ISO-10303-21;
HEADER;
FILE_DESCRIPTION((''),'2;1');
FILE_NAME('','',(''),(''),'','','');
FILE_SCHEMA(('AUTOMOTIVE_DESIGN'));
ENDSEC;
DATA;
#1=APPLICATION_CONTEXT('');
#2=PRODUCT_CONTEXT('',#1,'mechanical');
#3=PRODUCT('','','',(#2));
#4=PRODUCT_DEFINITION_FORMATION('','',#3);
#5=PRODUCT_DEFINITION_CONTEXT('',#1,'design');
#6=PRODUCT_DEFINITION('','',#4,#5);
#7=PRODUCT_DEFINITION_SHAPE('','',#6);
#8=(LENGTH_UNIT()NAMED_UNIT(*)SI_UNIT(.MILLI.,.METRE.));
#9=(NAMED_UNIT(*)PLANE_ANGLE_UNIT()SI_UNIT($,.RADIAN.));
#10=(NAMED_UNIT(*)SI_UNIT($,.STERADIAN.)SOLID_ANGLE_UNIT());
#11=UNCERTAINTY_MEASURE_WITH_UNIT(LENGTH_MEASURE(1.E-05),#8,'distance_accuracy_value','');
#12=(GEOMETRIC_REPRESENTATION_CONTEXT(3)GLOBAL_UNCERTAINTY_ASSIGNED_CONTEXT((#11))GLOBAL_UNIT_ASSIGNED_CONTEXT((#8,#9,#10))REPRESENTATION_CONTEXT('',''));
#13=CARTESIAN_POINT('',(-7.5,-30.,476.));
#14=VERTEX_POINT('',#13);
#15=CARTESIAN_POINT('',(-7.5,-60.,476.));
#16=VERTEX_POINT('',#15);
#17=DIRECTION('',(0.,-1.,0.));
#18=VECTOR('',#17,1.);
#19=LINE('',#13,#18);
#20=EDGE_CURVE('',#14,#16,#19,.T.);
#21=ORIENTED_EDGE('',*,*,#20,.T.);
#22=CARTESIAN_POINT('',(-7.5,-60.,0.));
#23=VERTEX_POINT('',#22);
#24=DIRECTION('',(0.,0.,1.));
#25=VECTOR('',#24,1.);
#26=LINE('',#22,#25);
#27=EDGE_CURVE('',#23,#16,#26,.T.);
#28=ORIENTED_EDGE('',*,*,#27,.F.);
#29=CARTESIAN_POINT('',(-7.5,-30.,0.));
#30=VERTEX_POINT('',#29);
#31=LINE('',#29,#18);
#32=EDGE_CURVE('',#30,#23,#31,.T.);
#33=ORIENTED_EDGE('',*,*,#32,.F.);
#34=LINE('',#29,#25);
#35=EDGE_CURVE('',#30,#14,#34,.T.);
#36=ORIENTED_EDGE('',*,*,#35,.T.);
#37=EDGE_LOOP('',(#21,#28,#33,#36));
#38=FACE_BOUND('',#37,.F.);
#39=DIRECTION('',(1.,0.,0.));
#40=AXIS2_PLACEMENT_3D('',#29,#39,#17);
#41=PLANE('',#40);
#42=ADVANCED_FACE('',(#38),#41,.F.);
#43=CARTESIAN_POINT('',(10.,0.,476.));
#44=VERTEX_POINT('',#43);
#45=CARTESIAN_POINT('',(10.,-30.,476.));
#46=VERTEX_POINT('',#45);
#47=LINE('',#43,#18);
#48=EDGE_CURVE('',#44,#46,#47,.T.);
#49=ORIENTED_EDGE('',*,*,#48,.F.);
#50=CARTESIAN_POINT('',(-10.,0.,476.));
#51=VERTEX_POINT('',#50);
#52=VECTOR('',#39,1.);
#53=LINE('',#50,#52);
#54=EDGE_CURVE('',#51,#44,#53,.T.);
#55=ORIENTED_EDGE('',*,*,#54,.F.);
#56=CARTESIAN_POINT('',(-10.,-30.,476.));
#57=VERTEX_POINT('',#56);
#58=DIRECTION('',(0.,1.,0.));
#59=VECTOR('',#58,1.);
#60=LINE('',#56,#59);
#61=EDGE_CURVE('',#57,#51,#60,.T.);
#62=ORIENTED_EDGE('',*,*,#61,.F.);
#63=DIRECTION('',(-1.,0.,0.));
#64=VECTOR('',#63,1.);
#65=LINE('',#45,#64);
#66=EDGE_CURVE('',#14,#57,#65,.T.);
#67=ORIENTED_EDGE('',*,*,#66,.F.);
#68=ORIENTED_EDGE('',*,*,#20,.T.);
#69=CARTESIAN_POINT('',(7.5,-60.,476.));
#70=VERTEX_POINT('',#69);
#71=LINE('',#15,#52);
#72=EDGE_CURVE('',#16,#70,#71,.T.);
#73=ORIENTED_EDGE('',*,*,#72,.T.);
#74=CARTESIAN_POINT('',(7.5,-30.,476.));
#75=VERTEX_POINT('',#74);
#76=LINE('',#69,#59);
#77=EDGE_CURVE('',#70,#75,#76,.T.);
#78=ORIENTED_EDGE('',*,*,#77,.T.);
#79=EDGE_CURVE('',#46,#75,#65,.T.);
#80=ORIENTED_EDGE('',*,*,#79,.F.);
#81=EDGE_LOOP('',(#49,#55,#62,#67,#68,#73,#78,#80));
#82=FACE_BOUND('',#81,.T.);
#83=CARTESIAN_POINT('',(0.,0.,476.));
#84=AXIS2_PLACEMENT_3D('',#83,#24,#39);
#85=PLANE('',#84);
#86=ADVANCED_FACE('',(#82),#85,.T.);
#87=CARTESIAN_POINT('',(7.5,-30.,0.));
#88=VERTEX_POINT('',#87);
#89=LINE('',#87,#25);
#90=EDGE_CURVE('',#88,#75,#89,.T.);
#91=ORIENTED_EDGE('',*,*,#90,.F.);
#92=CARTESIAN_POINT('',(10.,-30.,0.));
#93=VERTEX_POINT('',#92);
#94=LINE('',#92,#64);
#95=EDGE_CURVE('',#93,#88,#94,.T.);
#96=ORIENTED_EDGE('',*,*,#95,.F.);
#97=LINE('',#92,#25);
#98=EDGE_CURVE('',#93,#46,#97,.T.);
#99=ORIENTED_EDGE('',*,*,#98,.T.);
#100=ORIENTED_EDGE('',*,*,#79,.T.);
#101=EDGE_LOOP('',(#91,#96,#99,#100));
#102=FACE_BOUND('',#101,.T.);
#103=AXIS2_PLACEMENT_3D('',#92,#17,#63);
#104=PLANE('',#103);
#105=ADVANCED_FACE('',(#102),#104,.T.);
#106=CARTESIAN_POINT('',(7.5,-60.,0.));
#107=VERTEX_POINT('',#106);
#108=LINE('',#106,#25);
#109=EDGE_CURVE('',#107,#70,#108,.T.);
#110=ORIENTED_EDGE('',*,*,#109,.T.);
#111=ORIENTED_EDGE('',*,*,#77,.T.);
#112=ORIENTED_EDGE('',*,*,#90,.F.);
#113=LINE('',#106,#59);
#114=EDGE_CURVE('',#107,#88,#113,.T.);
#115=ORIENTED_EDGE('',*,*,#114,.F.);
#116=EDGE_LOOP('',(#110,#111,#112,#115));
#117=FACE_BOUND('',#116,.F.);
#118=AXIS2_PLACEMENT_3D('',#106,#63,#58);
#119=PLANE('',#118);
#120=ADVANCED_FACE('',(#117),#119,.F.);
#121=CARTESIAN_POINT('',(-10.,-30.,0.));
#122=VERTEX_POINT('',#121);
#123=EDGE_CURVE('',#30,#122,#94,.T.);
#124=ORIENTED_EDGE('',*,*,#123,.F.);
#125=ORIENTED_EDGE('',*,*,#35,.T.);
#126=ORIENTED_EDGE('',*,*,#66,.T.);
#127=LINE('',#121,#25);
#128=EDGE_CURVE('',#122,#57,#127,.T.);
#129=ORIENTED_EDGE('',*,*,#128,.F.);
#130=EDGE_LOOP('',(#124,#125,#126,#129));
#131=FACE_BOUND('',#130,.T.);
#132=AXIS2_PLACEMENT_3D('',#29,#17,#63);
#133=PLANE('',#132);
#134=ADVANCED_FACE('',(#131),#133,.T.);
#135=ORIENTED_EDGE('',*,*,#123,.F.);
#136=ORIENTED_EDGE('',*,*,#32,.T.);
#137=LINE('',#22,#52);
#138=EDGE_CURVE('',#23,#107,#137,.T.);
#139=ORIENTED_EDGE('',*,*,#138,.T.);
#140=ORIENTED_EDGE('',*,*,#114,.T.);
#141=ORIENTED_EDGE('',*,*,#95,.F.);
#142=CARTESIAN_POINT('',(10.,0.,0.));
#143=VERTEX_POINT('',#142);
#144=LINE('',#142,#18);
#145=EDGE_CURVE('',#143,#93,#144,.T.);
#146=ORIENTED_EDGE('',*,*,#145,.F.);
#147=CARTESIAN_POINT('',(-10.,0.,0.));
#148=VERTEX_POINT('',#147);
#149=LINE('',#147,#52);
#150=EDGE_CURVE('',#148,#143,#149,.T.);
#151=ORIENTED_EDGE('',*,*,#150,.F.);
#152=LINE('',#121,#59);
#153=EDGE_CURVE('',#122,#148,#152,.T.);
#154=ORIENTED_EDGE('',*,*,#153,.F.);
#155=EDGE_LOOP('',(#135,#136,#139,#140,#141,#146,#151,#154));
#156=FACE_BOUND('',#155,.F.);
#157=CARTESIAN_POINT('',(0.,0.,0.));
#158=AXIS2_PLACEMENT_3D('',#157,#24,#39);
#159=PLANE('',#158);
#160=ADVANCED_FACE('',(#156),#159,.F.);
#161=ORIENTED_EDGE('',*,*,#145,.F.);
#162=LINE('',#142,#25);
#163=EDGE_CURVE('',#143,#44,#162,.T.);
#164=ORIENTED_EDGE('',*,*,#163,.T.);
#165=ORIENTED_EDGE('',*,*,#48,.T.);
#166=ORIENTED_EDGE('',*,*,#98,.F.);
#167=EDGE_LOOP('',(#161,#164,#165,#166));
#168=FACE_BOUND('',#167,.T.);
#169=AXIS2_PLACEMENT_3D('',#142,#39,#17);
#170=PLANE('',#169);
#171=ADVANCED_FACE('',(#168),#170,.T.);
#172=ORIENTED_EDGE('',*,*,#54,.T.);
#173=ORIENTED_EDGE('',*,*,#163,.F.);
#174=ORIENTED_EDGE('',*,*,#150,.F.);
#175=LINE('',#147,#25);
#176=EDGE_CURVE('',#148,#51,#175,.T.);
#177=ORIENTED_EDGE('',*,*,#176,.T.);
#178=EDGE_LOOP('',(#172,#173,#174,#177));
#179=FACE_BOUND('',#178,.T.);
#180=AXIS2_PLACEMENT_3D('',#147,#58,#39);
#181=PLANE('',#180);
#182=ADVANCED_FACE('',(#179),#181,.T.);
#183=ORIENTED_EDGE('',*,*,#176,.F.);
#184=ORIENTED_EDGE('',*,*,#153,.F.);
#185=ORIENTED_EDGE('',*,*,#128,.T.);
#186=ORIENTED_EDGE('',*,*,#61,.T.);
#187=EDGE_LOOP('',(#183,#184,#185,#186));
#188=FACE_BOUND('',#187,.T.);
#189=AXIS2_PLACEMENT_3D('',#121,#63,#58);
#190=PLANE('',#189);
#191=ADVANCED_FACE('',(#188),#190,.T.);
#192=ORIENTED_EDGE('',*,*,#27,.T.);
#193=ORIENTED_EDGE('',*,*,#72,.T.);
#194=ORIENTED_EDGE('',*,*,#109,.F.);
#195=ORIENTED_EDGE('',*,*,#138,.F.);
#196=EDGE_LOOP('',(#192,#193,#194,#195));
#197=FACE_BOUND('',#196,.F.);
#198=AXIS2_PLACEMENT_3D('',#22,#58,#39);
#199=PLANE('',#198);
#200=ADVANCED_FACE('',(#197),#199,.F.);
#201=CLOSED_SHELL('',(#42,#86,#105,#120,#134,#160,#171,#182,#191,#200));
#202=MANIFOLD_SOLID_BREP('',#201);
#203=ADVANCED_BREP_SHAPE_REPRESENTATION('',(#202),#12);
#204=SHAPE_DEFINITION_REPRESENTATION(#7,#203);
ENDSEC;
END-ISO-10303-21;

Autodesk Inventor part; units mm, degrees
ref_plane "YZ Plane" through (0, 0, 0) normal (1, 0, 0) x (0, 1, 0)
ref_plane "XZ Plane" through (0, 0, 0) normal (0, 1, 0) x (-1, 0, 0)
ref_plane "XY Plane" through (0, 0, 0) normal (0, 0, 1) x (1, 0, 0)
sketch "Sketch1" plane through (0, 0, 0) normal (0, 0, 1) x (1, 0, 0)
  line L0 (-10, 0) -> (10, 0)
  line L1 (10, 0) -> (10, -30)
  line L2 (10, -30) -> (-10, -30)
  line L3 (-10, -30) -> (-10, 0)
  line L4 (7.5, -30) -> (-7.5, -30)
  line L5 (-7.5, -30) -> (-7.5, -60)
  line L6 (-7.5, -60) -> (7.5, -60)
  line L7 (7.5, -60) -> (7.5, -30)
  point P0 (0, 0)
  point P1 (0, 0)
  point P2 (0, -30)
  dimension "d0" = 20
  dimension "d1" = 30
  dimension "d2" = 15
  dimension "d3" = 30
extrude "Extrusion1" add sketch "Sketch1" along normal blind 476
equation "\"d3\" = d1"
properties part number "TRM 031 brush"
